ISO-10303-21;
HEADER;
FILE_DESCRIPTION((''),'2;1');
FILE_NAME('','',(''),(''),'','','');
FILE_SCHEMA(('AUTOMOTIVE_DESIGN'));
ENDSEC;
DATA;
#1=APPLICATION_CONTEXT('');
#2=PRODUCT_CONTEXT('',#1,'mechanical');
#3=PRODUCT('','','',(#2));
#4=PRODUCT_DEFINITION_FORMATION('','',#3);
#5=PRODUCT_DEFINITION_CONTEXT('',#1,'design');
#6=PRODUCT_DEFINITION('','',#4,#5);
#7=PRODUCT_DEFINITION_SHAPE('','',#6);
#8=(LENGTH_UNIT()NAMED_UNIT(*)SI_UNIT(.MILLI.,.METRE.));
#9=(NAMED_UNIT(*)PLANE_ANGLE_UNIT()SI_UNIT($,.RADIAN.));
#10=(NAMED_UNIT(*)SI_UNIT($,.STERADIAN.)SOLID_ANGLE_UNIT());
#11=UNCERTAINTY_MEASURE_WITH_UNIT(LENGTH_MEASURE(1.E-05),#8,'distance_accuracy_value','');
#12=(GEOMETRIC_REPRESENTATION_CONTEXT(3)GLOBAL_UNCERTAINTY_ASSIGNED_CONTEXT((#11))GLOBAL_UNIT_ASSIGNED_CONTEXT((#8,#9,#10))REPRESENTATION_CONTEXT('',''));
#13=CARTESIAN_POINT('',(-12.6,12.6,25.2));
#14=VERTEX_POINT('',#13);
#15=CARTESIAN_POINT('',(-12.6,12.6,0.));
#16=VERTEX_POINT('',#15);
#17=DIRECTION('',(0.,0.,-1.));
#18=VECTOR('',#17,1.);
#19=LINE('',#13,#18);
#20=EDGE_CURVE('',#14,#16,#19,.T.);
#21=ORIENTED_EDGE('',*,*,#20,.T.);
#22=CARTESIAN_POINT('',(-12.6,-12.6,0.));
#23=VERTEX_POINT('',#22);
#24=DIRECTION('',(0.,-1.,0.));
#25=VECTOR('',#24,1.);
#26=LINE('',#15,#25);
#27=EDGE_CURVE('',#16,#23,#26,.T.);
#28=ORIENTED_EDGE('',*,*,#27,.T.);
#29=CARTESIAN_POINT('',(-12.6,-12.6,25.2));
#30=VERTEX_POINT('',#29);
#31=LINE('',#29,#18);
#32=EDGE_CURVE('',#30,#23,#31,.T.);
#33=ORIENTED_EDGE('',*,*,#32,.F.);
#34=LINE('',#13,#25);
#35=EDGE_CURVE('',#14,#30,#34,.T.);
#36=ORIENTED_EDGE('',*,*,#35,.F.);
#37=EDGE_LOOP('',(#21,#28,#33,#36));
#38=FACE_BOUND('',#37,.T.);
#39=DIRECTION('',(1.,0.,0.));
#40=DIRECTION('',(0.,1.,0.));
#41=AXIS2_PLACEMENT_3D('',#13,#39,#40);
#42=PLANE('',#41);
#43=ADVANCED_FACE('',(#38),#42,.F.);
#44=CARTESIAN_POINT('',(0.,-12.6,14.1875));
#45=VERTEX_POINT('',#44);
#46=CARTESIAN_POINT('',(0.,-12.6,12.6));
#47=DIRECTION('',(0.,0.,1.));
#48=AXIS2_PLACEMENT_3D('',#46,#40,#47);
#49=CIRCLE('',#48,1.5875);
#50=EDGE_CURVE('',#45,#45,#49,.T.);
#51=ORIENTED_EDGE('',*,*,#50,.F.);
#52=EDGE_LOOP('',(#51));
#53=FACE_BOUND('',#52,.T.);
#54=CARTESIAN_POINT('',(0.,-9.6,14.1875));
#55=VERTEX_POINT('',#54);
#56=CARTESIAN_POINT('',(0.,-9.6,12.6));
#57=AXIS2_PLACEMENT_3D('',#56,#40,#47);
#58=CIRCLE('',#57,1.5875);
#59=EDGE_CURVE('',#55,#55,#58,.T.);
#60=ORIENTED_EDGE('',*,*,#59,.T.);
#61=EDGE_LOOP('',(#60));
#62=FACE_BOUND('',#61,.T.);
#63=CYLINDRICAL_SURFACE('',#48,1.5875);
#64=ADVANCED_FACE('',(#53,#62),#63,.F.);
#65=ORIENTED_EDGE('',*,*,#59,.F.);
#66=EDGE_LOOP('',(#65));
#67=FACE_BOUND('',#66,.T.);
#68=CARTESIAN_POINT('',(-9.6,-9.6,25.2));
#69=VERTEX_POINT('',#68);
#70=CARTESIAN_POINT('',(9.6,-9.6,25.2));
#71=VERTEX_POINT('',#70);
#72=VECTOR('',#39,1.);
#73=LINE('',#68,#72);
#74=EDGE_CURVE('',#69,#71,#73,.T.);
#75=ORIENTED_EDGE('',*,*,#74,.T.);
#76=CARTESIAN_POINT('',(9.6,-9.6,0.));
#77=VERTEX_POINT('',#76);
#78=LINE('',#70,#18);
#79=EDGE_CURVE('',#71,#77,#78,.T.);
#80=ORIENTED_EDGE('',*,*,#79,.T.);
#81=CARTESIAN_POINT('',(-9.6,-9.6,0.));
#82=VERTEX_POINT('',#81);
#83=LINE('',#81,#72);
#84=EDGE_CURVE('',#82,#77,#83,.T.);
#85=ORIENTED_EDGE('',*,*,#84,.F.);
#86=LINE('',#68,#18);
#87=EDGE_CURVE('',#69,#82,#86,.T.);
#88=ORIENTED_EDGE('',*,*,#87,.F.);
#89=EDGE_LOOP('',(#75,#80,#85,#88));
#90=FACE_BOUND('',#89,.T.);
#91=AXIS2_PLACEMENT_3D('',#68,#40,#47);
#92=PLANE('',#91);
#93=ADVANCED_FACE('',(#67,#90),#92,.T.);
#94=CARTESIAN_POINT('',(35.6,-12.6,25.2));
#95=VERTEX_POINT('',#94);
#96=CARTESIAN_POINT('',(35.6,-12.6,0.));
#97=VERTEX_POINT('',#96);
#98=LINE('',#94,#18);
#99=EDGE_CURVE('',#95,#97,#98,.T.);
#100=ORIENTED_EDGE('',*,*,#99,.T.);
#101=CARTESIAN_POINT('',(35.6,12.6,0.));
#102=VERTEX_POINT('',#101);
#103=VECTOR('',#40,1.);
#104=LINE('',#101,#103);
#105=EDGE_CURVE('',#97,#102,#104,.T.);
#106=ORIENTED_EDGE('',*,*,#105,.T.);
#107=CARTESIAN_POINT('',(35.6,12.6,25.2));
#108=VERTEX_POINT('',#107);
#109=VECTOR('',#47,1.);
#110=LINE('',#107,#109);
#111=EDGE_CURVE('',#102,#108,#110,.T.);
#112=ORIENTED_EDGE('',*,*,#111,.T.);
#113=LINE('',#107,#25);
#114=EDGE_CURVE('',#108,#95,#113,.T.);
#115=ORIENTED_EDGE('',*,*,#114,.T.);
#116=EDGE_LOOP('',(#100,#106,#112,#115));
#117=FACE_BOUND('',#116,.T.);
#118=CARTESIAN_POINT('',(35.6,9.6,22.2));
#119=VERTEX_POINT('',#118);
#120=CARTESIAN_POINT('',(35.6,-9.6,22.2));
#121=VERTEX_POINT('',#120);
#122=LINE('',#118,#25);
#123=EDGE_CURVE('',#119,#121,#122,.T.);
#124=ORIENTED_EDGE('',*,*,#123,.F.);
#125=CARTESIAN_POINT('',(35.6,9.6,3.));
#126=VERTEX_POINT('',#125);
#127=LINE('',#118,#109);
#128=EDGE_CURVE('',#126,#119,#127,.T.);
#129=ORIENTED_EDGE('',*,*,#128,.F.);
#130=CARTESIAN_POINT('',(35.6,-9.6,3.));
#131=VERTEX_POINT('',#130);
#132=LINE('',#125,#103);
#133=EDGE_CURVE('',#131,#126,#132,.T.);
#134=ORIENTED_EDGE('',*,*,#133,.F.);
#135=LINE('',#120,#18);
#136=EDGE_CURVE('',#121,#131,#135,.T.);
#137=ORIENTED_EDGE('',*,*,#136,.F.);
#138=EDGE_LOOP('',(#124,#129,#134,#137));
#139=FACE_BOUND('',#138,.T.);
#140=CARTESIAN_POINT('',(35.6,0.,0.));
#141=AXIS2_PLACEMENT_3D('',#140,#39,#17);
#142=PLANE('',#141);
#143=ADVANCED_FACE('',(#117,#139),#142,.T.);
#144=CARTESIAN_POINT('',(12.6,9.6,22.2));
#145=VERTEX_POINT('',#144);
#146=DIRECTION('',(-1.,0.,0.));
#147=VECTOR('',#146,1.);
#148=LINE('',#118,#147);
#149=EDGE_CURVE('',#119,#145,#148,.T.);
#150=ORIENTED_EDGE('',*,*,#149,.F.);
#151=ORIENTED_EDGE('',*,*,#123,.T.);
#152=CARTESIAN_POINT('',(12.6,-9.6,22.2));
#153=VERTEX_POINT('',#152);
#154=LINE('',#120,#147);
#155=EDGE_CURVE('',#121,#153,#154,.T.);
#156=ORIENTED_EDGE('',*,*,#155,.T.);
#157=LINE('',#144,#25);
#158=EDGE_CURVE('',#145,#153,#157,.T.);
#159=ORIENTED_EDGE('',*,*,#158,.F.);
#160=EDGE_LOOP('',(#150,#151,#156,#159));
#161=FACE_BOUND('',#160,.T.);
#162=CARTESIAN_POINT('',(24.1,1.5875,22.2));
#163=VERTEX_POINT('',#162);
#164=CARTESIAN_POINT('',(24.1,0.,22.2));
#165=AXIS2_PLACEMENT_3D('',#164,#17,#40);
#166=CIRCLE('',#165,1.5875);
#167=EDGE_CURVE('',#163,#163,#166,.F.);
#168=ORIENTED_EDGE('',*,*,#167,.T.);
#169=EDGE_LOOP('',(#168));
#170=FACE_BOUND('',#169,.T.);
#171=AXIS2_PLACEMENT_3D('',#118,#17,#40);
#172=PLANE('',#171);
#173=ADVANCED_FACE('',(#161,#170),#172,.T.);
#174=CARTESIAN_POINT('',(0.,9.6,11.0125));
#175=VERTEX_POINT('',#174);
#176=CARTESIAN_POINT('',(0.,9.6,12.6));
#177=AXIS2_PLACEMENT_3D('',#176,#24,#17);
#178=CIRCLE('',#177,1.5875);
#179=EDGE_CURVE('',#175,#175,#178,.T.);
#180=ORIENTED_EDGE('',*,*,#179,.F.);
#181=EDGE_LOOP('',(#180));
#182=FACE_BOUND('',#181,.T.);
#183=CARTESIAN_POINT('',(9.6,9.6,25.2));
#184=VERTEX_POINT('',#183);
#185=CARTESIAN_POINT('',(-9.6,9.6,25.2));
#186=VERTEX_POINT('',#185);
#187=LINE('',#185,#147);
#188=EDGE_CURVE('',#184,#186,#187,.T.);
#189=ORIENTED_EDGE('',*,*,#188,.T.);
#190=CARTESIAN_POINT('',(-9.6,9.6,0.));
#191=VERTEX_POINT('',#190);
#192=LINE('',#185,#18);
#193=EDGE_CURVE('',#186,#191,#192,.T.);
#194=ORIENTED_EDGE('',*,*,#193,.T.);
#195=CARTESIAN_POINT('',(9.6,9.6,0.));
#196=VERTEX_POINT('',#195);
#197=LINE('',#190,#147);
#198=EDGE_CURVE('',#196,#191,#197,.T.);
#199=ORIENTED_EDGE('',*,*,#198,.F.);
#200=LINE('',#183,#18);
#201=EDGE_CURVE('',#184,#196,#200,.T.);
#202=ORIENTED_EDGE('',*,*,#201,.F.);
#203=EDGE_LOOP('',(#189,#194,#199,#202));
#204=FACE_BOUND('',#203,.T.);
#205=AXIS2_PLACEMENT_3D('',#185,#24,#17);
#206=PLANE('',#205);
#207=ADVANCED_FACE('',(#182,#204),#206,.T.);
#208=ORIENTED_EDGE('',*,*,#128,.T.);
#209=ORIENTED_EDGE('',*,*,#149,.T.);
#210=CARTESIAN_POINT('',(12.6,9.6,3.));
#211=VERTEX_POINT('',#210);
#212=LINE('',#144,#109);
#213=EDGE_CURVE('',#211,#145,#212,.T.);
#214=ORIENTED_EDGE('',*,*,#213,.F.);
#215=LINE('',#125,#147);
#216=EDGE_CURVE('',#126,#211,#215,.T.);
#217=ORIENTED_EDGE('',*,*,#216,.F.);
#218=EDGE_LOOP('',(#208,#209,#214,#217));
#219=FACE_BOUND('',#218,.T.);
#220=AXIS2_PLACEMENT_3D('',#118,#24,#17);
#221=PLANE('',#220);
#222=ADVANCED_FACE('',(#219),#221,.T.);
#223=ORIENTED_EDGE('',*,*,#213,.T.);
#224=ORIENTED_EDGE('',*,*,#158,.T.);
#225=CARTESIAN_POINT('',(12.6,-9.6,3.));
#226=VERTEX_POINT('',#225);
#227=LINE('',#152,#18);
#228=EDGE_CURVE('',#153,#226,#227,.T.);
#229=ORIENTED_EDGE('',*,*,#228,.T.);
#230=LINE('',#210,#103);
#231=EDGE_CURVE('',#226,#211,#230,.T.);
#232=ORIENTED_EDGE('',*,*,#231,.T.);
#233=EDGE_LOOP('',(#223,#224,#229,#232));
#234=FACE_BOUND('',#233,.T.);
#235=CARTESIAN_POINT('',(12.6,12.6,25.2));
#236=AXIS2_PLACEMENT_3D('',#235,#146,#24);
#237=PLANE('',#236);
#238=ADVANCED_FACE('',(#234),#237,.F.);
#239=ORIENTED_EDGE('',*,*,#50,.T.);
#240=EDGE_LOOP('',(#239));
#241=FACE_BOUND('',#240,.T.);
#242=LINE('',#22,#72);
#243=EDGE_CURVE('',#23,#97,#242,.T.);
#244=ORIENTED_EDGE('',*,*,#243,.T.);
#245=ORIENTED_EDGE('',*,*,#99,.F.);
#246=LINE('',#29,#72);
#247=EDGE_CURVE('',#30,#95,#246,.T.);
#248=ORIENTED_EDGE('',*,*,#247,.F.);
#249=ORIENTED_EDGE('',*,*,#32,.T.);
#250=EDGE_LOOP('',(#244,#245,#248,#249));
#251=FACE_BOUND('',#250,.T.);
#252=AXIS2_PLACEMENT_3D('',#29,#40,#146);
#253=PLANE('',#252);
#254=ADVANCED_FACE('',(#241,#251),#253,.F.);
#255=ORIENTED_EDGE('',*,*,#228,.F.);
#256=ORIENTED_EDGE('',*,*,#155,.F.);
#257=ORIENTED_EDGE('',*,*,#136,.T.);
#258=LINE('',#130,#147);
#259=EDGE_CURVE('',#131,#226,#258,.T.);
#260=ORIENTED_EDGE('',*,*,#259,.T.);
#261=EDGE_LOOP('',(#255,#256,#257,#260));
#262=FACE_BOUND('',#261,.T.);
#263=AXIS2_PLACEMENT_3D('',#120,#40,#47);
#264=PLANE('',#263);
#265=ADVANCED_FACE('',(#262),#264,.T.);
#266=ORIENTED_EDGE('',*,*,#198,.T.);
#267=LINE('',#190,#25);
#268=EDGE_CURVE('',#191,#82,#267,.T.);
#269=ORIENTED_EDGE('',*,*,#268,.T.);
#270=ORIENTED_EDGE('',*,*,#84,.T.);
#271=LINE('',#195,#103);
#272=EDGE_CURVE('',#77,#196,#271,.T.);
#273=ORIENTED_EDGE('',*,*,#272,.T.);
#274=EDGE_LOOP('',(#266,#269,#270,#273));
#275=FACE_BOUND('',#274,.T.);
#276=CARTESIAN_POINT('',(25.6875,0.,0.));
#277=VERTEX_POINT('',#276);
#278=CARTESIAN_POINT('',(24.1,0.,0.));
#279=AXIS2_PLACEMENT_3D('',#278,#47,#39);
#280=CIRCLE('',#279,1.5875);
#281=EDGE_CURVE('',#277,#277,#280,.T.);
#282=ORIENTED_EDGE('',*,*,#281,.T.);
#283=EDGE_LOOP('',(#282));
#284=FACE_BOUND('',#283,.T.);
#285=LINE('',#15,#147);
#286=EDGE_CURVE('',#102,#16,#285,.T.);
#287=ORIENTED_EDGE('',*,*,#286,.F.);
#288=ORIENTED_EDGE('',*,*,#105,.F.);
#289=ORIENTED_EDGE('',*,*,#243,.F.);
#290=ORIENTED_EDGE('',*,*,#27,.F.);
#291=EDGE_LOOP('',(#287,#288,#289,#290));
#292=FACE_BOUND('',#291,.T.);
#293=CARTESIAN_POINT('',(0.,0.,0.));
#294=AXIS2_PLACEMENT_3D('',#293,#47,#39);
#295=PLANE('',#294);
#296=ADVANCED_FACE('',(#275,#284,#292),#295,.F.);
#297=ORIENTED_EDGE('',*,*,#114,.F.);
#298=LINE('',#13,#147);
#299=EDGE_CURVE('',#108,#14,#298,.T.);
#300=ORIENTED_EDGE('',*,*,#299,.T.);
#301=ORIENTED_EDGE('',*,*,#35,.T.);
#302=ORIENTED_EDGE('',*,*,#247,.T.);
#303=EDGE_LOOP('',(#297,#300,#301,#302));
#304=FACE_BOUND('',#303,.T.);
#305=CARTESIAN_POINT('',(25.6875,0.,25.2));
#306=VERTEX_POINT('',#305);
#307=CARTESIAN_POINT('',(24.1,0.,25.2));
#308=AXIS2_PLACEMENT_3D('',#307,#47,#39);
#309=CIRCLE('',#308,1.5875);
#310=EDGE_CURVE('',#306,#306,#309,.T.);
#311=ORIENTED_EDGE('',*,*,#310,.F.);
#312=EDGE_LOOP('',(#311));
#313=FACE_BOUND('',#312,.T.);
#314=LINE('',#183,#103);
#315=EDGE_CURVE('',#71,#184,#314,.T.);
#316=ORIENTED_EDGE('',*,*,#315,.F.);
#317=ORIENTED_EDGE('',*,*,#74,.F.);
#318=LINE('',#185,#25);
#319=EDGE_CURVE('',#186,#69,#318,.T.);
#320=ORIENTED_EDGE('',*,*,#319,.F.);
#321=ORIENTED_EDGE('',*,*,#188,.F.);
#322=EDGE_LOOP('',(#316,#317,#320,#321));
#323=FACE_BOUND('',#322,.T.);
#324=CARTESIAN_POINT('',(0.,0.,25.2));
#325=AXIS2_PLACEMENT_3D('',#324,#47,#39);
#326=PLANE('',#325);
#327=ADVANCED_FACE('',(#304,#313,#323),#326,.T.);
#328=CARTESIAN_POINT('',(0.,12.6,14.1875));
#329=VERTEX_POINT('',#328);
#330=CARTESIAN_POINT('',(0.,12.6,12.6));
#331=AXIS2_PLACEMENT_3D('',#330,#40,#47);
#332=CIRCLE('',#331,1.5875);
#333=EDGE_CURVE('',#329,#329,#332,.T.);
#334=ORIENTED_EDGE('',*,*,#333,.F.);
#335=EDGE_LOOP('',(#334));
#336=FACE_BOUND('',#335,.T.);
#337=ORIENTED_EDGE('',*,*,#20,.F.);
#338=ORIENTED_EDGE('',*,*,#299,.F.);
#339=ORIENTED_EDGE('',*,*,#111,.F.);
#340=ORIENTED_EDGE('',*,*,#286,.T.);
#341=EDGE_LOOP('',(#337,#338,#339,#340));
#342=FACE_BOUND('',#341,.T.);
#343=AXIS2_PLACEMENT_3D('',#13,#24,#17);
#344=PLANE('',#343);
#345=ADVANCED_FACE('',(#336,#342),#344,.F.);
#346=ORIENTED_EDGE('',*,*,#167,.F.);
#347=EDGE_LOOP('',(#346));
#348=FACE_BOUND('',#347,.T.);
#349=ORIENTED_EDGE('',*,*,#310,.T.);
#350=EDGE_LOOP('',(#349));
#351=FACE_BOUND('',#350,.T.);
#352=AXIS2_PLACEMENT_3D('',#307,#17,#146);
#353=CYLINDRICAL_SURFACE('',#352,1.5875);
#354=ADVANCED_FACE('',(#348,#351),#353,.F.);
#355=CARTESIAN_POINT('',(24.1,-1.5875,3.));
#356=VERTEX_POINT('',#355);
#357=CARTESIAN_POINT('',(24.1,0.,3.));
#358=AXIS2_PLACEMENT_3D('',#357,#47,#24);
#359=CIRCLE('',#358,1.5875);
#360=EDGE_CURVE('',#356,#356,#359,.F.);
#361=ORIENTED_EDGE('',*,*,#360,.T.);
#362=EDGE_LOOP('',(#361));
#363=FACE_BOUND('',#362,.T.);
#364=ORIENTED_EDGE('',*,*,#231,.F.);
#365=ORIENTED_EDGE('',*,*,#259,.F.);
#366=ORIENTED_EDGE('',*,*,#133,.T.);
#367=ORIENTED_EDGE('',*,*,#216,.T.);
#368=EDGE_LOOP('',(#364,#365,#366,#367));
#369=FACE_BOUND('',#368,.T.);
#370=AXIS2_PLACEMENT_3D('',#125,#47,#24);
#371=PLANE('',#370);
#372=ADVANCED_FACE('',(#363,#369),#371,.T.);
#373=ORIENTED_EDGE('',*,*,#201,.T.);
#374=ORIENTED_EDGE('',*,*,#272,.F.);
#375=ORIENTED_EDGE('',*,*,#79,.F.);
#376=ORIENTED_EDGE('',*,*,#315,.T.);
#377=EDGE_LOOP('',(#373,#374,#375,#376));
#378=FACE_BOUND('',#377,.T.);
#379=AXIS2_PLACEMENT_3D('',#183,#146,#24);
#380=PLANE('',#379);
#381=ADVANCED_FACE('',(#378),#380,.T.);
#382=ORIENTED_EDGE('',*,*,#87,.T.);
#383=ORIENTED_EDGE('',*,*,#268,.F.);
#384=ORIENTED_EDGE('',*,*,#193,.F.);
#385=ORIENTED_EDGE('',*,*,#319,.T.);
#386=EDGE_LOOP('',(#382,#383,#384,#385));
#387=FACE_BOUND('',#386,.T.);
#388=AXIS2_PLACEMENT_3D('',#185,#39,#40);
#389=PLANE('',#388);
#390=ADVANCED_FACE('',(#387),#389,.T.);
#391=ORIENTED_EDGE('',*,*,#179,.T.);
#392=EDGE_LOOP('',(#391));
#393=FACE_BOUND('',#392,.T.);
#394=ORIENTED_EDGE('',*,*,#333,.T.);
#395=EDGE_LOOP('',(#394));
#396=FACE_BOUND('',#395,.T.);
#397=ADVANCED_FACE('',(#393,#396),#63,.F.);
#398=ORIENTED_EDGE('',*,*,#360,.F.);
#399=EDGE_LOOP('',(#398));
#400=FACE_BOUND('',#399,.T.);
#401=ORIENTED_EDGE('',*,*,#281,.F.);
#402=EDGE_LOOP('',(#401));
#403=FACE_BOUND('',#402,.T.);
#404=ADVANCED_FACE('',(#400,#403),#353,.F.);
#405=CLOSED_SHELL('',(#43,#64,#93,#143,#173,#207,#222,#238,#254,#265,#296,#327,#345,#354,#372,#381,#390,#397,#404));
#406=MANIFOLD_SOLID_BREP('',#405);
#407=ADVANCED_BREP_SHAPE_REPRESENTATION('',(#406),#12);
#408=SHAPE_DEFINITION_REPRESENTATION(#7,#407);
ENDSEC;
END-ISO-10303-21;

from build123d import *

# Parameters (mm, degrees)
SKETCH1_W               = 25.2
SKETCH1_H               = 25.2
SKETCH1_W_2             = 19.2
SKETCH1_H_2             = 19.2
BOSS_EXTRUDE1_DEPTH     = 25.2
SKETCH3_W               = 25.2
SKETCH3_H               = 25.2
SKETCH3_W_2             = 19.2
SKETCH3_H_2             = 19.2
BOSS_EXTRUDE2_DEPTH     = 23
CUT_EXTRUDE1_DEPTH      = 49.941189197
CUT_EXTRUDE1_DEPTH_BACK = 49.941189197
SKETCH4_R               = 1.5875
CUT_EXTRUDE2_DEPTH      = 44.805935671
CUT_EXTRUDE2_DEPTH_BACK = 44.805935671
SKETCH5_R               = 1.5875


with BuildPart() as part:
    # Sketch1 → Boss-Extrude1 (new body)
    with BuildSketch(Plane.XY):
        Rectangle(SKETCH1_W, SKETCH1_H)
        Rectangle(SKETCH1_W_2, SKETCH1_H_2, mode=Mode.SUBTRACT)
    extrude(amount=BOSS_EXTRUDE1_DEPTH)

    # Sketch3 → Boss-Extrude2 (add)
    with BuildSketch(Plane(origin=(12.6, 0, 0), x_dir=(0, 0, -1), z_dir=(1, 0, 0))):
        with Locations((-12.6, 0)):
            Rectangle(SKETCH3_W, SKETCH3_H)
        with Locations((-12.6, 0)):
            Rectangle(SKETCH3_W_2, SKETCH3_H_2, mode=Mode.SUBTRACT)
    extrude(amount=BOSS_EXTRUDE2_DEPTH)

    # Sketch4 → Cut-Extrude1 (cut, two sides: drawn at the far end of the back side and taken through both)
    with BuildSketch(Plane(origin=(0, -9.6, 0), x_dir=(1, 0, 0), z_dir=(0, 1, 0)).offset(-CUT_EXTRUDE1_DEPTH_BACK)):
        with Locations(Location((0, -12.6, 0), (0, 0, 270))):
            Circle(SKETCH4_R)
    extrude(amount=CUT_EXTRUDE1_DEPTH + CUT_EXTRUDE1_DEPTH_BACK, mode=Mode.SUBTRACT)

    # Sketch5 → Cut-Extrude2 (cut, two sides: drawn at the far end of the back side and taken through both)
    with BuildSketch(Plane.XY.offset(3).offset(-CUT_EXTRUDE2_DEPTH_BACK)):
        with Locations(Location((24.1, 0, 0), (0, 0, 270))):
            Circle(SKETCH5_R)
    extrude(amount=CUT_EXTRUDE2_DEPTH + CUT_EXTRUDE2_DEPTH_BACK, mode=Mode.SUBTRACT)


solid = part.part
